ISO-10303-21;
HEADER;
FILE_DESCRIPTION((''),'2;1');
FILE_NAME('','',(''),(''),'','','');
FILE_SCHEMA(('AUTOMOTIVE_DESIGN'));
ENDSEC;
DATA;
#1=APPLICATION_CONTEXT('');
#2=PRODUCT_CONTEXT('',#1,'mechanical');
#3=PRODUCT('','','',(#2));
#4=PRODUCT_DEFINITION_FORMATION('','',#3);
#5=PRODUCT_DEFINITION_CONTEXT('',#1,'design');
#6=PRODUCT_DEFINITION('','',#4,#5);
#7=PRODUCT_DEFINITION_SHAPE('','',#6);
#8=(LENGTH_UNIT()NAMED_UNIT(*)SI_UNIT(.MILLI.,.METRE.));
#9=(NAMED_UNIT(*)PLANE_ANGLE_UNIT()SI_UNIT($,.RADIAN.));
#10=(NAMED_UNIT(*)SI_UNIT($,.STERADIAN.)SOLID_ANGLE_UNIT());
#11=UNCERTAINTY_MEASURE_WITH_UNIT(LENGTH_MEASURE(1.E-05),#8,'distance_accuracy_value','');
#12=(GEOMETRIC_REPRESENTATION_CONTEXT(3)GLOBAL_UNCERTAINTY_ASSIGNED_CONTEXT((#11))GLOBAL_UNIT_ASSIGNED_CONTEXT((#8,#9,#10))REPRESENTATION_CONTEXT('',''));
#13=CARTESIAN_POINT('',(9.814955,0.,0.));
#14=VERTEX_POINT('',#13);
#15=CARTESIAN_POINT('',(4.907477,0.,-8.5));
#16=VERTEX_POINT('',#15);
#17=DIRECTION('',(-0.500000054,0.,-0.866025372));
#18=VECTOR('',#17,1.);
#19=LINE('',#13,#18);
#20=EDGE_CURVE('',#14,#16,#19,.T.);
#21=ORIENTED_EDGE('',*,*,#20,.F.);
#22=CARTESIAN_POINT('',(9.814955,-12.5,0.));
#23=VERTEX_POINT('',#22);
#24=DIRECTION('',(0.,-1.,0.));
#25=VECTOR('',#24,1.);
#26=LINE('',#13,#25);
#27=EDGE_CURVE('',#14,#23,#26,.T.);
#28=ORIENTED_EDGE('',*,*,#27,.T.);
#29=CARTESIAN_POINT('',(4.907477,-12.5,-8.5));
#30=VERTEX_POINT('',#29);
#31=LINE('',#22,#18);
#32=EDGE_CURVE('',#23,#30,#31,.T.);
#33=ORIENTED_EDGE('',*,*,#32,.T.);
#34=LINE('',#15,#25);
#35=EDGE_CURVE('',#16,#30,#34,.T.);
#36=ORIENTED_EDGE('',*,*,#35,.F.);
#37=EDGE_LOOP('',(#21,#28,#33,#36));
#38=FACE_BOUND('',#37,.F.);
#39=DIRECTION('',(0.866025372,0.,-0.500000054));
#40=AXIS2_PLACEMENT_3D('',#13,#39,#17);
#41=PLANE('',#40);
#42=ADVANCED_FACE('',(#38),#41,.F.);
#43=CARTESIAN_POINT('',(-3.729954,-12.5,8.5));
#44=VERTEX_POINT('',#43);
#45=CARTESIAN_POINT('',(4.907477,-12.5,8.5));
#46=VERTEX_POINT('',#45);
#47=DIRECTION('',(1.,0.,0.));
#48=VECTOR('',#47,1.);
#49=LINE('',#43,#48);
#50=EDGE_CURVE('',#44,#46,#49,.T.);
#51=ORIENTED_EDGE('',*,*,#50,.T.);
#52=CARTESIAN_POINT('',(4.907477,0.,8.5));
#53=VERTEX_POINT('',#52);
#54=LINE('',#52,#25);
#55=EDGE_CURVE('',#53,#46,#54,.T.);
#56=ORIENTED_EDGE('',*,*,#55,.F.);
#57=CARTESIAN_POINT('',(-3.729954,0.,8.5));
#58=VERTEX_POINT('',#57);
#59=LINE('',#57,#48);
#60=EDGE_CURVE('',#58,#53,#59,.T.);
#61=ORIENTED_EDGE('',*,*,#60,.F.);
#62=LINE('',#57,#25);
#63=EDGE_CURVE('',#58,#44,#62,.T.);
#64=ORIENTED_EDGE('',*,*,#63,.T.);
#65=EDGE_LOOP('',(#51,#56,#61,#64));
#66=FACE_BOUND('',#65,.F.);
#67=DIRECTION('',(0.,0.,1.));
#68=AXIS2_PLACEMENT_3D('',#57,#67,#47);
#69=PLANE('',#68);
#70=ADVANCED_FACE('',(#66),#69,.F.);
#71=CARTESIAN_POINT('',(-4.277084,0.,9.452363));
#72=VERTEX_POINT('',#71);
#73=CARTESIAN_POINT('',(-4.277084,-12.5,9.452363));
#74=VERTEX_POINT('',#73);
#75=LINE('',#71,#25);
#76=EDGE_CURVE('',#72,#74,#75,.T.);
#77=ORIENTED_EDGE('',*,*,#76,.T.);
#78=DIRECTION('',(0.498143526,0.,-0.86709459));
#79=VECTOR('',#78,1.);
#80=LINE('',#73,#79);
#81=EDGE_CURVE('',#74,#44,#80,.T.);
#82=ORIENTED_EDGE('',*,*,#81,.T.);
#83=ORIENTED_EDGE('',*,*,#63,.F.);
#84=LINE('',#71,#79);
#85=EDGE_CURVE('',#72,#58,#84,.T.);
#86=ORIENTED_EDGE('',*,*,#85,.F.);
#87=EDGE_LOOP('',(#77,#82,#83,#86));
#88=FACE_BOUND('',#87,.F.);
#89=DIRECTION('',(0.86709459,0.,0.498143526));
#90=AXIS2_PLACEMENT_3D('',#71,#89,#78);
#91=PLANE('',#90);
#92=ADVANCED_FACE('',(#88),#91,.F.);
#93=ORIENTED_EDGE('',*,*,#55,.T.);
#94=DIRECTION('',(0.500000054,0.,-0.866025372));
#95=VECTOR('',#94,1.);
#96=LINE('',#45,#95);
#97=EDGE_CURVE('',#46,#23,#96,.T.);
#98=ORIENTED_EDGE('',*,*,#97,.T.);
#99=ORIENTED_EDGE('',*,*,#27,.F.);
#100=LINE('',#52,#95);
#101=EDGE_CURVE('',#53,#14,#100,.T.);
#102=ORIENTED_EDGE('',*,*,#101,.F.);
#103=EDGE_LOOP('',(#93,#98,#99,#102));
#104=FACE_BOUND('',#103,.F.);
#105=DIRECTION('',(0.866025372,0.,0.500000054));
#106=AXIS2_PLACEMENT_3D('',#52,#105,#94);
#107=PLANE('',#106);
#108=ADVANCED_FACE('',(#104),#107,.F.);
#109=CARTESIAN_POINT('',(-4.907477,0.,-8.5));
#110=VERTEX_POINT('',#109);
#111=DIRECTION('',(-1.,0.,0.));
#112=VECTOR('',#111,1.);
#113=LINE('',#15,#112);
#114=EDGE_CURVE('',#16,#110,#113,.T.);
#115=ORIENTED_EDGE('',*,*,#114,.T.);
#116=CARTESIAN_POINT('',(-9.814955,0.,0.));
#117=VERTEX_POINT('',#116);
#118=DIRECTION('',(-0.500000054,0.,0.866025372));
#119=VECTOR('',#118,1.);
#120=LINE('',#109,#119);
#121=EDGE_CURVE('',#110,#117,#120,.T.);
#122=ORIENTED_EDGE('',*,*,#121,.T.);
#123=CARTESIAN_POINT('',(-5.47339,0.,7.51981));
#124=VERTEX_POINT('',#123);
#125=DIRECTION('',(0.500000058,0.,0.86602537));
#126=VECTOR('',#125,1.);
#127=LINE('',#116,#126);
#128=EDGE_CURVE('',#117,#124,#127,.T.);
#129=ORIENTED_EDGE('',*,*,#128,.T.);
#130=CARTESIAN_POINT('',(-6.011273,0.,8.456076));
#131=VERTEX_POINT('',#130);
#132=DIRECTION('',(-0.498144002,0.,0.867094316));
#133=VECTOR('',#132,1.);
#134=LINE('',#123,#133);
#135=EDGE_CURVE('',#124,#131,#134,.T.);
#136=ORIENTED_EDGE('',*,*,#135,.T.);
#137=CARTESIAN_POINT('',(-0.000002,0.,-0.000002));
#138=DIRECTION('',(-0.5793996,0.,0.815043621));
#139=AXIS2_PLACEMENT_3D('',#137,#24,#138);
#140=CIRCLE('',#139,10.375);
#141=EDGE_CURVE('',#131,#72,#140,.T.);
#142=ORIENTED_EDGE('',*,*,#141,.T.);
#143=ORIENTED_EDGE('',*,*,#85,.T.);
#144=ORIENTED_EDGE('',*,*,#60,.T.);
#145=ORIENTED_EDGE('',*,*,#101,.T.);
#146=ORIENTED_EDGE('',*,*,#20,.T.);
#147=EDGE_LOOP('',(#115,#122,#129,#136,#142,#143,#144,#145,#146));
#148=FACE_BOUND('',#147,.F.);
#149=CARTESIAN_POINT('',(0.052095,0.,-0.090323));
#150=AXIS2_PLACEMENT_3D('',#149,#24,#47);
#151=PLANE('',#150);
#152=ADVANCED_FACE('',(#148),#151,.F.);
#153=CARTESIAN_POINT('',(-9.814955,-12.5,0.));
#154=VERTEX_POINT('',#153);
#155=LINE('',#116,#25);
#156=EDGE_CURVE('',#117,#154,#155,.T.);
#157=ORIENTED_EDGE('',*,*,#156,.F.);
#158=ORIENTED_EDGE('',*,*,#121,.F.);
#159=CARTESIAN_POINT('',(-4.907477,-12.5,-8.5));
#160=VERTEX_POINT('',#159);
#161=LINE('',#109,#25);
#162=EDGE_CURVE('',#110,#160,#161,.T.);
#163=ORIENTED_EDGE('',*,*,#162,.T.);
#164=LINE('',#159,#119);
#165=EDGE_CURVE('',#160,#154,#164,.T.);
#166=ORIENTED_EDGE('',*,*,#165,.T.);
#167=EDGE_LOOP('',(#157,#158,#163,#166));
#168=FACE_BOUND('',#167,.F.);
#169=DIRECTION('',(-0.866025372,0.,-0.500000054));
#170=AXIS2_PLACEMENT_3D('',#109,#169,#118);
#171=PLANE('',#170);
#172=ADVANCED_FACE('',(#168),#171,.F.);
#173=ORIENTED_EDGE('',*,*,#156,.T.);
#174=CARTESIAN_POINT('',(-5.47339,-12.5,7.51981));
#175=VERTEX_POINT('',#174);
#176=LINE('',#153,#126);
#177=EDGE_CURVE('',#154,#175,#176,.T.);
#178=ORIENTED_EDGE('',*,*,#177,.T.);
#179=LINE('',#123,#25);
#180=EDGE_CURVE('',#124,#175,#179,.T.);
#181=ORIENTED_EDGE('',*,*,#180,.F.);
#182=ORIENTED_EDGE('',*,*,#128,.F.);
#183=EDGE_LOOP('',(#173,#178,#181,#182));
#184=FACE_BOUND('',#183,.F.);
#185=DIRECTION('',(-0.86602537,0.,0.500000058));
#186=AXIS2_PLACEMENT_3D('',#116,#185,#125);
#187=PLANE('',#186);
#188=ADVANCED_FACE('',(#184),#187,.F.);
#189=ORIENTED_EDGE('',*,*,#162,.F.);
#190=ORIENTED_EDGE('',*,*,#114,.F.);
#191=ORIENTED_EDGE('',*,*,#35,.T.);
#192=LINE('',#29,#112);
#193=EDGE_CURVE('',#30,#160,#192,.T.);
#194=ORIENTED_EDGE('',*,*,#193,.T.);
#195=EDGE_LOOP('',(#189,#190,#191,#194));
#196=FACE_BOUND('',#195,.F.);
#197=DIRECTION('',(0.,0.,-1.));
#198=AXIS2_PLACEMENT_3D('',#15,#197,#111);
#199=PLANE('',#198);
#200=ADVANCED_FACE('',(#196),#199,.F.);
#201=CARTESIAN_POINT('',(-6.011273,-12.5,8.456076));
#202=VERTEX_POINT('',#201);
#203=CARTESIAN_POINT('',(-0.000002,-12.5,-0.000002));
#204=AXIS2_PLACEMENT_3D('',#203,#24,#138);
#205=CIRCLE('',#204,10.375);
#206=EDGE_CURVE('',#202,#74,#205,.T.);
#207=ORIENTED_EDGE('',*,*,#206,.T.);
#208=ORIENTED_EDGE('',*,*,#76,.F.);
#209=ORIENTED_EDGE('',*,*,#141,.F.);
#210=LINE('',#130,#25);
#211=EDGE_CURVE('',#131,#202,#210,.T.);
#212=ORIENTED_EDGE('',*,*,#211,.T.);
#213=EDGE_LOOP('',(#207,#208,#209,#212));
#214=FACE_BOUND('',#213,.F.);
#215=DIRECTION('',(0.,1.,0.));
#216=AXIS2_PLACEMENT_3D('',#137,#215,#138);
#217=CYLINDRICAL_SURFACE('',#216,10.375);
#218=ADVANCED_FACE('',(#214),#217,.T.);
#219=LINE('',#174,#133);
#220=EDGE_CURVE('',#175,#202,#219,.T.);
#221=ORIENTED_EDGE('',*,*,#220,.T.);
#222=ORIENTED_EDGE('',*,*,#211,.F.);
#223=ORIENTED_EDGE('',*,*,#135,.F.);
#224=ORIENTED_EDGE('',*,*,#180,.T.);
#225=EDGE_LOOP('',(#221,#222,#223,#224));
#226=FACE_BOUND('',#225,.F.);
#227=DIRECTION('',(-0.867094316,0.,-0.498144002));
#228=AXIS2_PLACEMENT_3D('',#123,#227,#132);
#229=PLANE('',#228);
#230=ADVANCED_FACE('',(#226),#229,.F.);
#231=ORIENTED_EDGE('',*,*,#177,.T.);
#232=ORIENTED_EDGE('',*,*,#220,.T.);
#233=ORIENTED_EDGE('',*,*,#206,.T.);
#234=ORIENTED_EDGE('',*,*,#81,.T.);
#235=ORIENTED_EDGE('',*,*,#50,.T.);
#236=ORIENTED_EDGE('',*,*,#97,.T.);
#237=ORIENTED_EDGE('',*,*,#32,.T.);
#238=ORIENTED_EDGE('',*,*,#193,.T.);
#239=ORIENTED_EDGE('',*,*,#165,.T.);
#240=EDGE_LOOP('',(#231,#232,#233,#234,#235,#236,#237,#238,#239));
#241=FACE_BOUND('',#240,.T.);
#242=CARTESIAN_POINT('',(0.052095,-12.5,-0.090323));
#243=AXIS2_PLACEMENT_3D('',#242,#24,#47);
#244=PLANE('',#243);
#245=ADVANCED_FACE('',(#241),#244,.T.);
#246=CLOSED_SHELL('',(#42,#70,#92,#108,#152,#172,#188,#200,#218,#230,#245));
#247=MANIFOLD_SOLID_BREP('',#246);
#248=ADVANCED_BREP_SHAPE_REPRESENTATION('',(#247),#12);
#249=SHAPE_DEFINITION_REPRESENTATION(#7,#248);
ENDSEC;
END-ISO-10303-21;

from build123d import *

# Parameters (mm, degrees)
F1_DEPTH = 12.5


with BuildPart() as f1:
    # F0 (on Front) → F1 (new body)
    with BuildSketch(Plane.XZ):
        with BuildLine():
            Line((4.907477, 8.5), (9.814955, 0))
            Line((9.814955, 0), (4.907477, -8.5))
            Line((4.907477, -8.5), (-4.907477, -8.5))
            Line((-4.907477, -8.5), (-9.814955, 0))
            Line((-9.814955, 0), (-5.47339, 7.51981))
            Line((-5.47339, 7.51981), (-6.011273, 8.456076))
            ThreePointArc((-6.011273, 8.456076), (5.168242, -8.996105), (-4.277084, 9.452363))
            Line((-4.277084, 9.452363), (-3.729954, 8.5))
            Line((-3.729954, 8.5), (4.907477, 8.5))
        make_face()
    extrude(amount=F1_DEPTH)


solid = f1.part
